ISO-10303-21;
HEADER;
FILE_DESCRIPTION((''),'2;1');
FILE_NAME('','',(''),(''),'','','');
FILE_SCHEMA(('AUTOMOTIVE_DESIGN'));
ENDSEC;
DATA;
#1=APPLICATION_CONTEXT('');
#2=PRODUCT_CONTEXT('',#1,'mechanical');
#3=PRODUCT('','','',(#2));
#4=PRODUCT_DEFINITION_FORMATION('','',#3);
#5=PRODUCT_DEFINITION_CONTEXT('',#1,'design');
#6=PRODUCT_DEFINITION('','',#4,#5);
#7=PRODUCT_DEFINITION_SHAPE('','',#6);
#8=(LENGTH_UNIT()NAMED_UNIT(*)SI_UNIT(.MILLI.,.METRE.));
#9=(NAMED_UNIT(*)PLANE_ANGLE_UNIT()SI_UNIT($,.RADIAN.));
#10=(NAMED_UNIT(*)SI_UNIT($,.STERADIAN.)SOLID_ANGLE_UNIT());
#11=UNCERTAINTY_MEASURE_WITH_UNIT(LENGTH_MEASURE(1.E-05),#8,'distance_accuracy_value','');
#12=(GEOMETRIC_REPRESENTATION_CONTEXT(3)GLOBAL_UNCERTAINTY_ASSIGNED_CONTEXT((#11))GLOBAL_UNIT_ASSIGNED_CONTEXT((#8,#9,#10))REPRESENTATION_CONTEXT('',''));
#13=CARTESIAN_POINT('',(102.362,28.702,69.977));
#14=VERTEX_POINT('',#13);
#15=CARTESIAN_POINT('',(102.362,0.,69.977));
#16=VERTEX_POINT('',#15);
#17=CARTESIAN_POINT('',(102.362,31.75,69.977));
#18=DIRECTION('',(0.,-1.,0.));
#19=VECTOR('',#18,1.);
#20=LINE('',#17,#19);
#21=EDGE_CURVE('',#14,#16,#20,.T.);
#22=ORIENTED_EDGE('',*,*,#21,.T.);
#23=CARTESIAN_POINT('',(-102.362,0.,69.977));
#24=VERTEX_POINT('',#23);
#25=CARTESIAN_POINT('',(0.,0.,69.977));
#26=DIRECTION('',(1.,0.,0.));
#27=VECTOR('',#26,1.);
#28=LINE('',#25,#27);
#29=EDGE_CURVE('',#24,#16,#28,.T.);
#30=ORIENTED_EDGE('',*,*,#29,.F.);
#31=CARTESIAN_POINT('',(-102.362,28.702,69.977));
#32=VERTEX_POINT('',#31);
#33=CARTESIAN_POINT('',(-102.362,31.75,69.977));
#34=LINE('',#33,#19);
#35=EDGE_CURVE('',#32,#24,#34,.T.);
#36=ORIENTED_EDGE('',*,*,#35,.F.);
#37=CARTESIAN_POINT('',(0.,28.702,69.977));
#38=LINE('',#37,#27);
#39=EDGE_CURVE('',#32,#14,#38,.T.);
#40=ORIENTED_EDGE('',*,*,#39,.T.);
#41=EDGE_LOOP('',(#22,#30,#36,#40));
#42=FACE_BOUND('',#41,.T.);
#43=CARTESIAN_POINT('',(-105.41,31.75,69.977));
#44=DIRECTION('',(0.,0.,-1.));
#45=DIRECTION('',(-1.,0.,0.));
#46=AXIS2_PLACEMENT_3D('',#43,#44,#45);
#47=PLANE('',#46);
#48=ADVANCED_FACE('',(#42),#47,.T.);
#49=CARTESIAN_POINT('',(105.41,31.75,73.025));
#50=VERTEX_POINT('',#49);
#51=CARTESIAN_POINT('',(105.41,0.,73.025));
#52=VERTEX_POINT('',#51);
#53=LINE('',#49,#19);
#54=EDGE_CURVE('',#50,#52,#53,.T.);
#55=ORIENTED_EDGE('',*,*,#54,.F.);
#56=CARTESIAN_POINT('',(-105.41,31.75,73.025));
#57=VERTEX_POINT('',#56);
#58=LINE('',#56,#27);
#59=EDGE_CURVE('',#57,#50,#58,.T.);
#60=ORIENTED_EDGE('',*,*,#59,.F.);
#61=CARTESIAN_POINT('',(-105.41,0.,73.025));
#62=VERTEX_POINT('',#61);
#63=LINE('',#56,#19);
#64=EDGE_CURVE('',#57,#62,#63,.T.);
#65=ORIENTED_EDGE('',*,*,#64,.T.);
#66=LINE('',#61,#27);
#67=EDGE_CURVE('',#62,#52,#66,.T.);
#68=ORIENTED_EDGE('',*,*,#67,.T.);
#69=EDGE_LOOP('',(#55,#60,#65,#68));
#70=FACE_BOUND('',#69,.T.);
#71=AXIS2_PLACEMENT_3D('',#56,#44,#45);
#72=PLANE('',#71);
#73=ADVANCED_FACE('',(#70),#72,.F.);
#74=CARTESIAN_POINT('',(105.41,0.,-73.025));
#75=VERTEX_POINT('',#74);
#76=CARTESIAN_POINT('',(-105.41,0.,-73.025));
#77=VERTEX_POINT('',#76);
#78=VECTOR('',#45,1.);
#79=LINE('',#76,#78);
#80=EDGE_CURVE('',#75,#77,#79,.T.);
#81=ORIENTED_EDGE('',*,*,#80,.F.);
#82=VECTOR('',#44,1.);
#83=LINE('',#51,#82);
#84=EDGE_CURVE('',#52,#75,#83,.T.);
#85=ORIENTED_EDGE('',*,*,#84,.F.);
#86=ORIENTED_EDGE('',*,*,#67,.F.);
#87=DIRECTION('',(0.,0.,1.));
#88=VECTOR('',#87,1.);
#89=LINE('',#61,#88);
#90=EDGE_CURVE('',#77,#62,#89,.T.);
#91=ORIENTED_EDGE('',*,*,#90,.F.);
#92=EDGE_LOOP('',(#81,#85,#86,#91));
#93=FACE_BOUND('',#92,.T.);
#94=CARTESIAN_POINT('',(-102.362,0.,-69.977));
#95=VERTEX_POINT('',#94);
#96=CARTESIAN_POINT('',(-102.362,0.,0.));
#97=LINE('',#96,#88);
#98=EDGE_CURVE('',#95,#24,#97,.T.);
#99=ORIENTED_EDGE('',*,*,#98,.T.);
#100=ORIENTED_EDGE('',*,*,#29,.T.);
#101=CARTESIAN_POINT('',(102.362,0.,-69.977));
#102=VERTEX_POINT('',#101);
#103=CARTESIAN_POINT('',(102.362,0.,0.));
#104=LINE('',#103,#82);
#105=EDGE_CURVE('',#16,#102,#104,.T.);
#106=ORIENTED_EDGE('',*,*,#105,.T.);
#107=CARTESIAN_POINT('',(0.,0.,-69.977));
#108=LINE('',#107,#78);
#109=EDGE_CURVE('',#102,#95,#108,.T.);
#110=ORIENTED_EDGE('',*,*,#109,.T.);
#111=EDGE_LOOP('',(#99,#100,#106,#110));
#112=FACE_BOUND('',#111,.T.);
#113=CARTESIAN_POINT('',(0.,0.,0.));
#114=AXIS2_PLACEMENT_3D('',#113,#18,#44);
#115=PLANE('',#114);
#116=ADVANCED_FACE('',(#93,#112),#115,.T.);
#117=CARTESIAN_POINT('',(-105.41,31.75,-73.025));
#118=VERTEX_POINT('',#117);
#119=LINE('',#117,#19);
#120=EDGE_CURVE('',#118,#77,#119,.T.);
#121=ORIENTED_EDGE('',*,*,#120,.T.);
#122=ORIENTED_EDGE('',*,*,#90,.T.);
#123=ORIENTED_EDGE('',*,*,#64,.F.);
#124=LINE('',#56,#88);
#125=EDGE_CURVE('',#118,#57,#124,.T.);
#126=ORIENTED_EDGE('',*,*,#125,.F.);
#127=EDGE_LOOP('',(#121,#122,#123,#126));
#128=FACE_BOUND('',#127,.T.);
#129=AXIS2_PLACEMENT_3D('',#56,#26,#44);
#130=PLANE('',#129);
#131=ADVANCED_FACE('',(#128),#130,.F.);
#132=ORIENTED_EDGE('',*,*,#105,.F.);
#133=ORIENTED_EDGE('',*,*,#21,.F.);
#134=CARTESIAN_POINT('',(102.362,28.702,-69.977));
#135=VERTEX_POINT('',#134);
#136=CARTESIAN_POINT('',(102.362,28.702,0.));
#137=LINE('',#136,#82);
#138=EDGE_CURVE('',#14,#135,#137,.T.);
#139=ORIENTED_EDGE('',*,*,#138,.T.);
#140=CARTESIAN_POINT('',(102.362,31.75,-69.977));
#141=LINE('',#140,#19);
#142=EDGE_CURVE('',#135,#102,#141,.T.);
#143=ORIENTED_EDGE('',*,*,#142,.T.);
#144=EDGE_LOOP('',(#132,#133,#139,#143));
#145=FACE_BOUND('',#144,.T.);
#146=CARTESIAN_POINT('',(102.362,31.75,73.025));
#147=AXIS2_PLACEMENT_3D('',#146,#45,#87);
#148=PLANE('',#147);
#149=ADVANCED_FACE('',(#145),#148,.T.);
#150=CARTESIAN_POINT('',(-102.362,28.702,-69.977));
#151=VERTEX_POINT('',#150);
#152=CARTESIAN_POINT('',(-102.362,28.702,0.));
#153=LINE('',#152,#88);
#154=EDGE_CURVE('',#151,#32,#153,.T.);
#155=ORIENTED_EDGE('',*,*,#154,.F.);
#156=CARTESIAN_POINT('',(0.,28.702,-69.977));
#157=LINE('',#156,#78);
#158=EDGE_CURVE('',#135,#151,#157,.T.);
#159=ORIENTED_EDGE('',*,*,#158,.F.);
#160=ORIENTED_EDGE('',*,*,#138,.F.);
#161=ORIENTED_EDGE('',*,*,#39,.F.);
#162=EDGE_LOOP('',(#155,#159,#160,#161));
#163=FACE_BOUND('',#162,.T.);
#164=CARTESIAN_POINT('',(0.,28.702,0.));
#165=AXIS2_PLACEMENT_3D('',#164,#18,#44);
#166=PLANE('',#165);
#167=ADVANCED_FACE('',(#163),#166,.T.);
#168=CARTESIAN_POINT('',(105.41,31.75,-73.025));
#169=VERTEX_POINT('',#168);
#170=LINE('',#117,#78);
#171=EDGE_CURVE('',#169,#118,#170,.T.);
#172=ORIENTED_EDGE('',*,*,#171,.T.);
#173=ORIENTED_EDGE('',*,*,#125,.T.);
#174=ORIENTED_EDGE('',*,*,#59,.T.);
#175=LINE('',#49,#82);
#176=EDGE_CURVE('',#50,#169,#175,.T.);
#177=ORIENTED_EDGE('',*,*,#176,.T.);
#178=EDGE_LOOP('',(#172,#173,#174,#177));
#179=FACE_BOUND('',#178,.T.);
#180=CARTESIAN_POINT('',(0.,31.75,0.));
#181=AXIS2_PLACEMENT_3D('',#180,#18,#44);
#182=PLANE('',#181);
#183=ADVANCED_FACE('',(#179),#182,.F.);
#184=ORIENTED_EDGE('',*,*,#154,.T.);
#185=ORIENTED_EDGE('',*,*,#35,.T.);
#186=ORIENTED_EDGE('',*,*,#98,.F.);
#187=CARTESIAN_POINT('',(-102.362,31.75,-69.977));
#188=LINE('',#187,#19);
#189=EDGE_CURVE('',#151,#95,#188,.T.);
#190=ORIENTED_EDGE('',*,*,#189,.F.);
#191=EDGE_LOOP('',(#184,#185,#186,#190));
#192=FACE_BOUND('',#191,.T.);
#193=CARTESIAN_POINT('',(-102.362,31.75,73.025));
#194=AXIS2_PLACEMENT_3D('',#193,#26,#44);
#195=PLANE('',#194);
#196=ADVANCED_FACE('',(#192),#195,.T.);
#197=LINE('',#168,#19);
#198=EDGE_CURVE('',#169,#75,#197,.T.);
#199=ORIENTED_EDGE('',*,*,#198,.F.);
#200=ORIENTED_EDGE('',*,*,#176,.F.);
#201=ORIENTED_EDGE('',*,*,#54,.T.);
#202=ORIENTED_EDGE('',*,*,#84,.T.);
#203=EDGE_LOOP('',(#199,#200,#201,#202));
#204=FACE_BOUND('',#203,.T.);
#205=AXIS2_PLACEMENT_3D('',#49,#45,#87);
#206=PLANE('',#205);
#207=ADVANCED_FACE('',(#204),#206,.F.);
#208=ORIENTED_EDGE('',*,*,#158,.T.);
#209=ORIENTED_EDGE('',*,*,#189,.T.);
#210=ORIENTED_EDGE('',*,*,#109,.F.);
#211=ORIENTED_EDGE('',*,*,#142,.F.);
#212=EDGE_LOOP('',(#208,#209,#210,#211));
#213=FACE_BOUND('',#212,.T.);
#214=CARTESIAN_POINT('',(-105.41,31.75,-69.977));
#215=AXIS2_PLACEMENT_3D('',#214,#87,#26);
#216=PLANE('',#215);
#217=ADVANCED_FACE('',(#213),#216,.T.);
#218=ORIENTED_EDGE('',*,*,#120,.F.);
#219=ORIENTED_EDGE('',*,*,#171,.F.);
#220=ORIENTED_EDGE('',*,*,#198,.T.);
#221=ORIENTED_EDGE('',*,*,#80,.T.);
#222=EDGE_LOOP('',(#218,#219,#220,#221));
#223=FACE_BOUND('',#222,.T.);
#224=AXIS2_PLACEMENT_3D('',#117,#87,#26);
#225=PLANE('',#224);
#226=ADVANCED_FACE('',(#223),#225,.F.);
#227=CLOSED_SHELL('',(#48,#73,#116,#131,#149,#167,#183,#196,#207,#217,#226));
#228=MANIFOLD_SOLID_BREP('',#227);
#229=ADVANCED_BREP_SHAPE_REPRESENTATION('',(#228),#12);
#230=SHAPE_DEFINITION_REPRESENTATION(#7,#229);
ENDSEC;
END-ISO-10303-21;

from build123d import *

# Parameters (mm, degrees)
SKETCH1_W           = 210.82
SKETCH1_H           = 146.05
BOSS_EXTRUDE1_DEPTH = 31.75
SHELL1_T            = -3.048


with BuildPart() as part:
    # Sketch1 → Boss-Extrude1 (new body)
    with BuildSketch(Plane(origin=(0, 0, 0), x_dir=(1, 0, 0), z_dir=(0, 1, 0))):
        Rectangle(SKETCH1_W, SKETCH1_H)
    extrude(amount=BOSS_EXTRUDE1_DEPTH)

    # Shell1
    shell1_openings = [part.faces().sort_by_distance(p)[0] for p in [
        (0, 0, 0),
    ]]
    offset(amount=SHELL1_T, openings=shell1_openings, kind=Kind.INTERSECTION)


solid = part.part
